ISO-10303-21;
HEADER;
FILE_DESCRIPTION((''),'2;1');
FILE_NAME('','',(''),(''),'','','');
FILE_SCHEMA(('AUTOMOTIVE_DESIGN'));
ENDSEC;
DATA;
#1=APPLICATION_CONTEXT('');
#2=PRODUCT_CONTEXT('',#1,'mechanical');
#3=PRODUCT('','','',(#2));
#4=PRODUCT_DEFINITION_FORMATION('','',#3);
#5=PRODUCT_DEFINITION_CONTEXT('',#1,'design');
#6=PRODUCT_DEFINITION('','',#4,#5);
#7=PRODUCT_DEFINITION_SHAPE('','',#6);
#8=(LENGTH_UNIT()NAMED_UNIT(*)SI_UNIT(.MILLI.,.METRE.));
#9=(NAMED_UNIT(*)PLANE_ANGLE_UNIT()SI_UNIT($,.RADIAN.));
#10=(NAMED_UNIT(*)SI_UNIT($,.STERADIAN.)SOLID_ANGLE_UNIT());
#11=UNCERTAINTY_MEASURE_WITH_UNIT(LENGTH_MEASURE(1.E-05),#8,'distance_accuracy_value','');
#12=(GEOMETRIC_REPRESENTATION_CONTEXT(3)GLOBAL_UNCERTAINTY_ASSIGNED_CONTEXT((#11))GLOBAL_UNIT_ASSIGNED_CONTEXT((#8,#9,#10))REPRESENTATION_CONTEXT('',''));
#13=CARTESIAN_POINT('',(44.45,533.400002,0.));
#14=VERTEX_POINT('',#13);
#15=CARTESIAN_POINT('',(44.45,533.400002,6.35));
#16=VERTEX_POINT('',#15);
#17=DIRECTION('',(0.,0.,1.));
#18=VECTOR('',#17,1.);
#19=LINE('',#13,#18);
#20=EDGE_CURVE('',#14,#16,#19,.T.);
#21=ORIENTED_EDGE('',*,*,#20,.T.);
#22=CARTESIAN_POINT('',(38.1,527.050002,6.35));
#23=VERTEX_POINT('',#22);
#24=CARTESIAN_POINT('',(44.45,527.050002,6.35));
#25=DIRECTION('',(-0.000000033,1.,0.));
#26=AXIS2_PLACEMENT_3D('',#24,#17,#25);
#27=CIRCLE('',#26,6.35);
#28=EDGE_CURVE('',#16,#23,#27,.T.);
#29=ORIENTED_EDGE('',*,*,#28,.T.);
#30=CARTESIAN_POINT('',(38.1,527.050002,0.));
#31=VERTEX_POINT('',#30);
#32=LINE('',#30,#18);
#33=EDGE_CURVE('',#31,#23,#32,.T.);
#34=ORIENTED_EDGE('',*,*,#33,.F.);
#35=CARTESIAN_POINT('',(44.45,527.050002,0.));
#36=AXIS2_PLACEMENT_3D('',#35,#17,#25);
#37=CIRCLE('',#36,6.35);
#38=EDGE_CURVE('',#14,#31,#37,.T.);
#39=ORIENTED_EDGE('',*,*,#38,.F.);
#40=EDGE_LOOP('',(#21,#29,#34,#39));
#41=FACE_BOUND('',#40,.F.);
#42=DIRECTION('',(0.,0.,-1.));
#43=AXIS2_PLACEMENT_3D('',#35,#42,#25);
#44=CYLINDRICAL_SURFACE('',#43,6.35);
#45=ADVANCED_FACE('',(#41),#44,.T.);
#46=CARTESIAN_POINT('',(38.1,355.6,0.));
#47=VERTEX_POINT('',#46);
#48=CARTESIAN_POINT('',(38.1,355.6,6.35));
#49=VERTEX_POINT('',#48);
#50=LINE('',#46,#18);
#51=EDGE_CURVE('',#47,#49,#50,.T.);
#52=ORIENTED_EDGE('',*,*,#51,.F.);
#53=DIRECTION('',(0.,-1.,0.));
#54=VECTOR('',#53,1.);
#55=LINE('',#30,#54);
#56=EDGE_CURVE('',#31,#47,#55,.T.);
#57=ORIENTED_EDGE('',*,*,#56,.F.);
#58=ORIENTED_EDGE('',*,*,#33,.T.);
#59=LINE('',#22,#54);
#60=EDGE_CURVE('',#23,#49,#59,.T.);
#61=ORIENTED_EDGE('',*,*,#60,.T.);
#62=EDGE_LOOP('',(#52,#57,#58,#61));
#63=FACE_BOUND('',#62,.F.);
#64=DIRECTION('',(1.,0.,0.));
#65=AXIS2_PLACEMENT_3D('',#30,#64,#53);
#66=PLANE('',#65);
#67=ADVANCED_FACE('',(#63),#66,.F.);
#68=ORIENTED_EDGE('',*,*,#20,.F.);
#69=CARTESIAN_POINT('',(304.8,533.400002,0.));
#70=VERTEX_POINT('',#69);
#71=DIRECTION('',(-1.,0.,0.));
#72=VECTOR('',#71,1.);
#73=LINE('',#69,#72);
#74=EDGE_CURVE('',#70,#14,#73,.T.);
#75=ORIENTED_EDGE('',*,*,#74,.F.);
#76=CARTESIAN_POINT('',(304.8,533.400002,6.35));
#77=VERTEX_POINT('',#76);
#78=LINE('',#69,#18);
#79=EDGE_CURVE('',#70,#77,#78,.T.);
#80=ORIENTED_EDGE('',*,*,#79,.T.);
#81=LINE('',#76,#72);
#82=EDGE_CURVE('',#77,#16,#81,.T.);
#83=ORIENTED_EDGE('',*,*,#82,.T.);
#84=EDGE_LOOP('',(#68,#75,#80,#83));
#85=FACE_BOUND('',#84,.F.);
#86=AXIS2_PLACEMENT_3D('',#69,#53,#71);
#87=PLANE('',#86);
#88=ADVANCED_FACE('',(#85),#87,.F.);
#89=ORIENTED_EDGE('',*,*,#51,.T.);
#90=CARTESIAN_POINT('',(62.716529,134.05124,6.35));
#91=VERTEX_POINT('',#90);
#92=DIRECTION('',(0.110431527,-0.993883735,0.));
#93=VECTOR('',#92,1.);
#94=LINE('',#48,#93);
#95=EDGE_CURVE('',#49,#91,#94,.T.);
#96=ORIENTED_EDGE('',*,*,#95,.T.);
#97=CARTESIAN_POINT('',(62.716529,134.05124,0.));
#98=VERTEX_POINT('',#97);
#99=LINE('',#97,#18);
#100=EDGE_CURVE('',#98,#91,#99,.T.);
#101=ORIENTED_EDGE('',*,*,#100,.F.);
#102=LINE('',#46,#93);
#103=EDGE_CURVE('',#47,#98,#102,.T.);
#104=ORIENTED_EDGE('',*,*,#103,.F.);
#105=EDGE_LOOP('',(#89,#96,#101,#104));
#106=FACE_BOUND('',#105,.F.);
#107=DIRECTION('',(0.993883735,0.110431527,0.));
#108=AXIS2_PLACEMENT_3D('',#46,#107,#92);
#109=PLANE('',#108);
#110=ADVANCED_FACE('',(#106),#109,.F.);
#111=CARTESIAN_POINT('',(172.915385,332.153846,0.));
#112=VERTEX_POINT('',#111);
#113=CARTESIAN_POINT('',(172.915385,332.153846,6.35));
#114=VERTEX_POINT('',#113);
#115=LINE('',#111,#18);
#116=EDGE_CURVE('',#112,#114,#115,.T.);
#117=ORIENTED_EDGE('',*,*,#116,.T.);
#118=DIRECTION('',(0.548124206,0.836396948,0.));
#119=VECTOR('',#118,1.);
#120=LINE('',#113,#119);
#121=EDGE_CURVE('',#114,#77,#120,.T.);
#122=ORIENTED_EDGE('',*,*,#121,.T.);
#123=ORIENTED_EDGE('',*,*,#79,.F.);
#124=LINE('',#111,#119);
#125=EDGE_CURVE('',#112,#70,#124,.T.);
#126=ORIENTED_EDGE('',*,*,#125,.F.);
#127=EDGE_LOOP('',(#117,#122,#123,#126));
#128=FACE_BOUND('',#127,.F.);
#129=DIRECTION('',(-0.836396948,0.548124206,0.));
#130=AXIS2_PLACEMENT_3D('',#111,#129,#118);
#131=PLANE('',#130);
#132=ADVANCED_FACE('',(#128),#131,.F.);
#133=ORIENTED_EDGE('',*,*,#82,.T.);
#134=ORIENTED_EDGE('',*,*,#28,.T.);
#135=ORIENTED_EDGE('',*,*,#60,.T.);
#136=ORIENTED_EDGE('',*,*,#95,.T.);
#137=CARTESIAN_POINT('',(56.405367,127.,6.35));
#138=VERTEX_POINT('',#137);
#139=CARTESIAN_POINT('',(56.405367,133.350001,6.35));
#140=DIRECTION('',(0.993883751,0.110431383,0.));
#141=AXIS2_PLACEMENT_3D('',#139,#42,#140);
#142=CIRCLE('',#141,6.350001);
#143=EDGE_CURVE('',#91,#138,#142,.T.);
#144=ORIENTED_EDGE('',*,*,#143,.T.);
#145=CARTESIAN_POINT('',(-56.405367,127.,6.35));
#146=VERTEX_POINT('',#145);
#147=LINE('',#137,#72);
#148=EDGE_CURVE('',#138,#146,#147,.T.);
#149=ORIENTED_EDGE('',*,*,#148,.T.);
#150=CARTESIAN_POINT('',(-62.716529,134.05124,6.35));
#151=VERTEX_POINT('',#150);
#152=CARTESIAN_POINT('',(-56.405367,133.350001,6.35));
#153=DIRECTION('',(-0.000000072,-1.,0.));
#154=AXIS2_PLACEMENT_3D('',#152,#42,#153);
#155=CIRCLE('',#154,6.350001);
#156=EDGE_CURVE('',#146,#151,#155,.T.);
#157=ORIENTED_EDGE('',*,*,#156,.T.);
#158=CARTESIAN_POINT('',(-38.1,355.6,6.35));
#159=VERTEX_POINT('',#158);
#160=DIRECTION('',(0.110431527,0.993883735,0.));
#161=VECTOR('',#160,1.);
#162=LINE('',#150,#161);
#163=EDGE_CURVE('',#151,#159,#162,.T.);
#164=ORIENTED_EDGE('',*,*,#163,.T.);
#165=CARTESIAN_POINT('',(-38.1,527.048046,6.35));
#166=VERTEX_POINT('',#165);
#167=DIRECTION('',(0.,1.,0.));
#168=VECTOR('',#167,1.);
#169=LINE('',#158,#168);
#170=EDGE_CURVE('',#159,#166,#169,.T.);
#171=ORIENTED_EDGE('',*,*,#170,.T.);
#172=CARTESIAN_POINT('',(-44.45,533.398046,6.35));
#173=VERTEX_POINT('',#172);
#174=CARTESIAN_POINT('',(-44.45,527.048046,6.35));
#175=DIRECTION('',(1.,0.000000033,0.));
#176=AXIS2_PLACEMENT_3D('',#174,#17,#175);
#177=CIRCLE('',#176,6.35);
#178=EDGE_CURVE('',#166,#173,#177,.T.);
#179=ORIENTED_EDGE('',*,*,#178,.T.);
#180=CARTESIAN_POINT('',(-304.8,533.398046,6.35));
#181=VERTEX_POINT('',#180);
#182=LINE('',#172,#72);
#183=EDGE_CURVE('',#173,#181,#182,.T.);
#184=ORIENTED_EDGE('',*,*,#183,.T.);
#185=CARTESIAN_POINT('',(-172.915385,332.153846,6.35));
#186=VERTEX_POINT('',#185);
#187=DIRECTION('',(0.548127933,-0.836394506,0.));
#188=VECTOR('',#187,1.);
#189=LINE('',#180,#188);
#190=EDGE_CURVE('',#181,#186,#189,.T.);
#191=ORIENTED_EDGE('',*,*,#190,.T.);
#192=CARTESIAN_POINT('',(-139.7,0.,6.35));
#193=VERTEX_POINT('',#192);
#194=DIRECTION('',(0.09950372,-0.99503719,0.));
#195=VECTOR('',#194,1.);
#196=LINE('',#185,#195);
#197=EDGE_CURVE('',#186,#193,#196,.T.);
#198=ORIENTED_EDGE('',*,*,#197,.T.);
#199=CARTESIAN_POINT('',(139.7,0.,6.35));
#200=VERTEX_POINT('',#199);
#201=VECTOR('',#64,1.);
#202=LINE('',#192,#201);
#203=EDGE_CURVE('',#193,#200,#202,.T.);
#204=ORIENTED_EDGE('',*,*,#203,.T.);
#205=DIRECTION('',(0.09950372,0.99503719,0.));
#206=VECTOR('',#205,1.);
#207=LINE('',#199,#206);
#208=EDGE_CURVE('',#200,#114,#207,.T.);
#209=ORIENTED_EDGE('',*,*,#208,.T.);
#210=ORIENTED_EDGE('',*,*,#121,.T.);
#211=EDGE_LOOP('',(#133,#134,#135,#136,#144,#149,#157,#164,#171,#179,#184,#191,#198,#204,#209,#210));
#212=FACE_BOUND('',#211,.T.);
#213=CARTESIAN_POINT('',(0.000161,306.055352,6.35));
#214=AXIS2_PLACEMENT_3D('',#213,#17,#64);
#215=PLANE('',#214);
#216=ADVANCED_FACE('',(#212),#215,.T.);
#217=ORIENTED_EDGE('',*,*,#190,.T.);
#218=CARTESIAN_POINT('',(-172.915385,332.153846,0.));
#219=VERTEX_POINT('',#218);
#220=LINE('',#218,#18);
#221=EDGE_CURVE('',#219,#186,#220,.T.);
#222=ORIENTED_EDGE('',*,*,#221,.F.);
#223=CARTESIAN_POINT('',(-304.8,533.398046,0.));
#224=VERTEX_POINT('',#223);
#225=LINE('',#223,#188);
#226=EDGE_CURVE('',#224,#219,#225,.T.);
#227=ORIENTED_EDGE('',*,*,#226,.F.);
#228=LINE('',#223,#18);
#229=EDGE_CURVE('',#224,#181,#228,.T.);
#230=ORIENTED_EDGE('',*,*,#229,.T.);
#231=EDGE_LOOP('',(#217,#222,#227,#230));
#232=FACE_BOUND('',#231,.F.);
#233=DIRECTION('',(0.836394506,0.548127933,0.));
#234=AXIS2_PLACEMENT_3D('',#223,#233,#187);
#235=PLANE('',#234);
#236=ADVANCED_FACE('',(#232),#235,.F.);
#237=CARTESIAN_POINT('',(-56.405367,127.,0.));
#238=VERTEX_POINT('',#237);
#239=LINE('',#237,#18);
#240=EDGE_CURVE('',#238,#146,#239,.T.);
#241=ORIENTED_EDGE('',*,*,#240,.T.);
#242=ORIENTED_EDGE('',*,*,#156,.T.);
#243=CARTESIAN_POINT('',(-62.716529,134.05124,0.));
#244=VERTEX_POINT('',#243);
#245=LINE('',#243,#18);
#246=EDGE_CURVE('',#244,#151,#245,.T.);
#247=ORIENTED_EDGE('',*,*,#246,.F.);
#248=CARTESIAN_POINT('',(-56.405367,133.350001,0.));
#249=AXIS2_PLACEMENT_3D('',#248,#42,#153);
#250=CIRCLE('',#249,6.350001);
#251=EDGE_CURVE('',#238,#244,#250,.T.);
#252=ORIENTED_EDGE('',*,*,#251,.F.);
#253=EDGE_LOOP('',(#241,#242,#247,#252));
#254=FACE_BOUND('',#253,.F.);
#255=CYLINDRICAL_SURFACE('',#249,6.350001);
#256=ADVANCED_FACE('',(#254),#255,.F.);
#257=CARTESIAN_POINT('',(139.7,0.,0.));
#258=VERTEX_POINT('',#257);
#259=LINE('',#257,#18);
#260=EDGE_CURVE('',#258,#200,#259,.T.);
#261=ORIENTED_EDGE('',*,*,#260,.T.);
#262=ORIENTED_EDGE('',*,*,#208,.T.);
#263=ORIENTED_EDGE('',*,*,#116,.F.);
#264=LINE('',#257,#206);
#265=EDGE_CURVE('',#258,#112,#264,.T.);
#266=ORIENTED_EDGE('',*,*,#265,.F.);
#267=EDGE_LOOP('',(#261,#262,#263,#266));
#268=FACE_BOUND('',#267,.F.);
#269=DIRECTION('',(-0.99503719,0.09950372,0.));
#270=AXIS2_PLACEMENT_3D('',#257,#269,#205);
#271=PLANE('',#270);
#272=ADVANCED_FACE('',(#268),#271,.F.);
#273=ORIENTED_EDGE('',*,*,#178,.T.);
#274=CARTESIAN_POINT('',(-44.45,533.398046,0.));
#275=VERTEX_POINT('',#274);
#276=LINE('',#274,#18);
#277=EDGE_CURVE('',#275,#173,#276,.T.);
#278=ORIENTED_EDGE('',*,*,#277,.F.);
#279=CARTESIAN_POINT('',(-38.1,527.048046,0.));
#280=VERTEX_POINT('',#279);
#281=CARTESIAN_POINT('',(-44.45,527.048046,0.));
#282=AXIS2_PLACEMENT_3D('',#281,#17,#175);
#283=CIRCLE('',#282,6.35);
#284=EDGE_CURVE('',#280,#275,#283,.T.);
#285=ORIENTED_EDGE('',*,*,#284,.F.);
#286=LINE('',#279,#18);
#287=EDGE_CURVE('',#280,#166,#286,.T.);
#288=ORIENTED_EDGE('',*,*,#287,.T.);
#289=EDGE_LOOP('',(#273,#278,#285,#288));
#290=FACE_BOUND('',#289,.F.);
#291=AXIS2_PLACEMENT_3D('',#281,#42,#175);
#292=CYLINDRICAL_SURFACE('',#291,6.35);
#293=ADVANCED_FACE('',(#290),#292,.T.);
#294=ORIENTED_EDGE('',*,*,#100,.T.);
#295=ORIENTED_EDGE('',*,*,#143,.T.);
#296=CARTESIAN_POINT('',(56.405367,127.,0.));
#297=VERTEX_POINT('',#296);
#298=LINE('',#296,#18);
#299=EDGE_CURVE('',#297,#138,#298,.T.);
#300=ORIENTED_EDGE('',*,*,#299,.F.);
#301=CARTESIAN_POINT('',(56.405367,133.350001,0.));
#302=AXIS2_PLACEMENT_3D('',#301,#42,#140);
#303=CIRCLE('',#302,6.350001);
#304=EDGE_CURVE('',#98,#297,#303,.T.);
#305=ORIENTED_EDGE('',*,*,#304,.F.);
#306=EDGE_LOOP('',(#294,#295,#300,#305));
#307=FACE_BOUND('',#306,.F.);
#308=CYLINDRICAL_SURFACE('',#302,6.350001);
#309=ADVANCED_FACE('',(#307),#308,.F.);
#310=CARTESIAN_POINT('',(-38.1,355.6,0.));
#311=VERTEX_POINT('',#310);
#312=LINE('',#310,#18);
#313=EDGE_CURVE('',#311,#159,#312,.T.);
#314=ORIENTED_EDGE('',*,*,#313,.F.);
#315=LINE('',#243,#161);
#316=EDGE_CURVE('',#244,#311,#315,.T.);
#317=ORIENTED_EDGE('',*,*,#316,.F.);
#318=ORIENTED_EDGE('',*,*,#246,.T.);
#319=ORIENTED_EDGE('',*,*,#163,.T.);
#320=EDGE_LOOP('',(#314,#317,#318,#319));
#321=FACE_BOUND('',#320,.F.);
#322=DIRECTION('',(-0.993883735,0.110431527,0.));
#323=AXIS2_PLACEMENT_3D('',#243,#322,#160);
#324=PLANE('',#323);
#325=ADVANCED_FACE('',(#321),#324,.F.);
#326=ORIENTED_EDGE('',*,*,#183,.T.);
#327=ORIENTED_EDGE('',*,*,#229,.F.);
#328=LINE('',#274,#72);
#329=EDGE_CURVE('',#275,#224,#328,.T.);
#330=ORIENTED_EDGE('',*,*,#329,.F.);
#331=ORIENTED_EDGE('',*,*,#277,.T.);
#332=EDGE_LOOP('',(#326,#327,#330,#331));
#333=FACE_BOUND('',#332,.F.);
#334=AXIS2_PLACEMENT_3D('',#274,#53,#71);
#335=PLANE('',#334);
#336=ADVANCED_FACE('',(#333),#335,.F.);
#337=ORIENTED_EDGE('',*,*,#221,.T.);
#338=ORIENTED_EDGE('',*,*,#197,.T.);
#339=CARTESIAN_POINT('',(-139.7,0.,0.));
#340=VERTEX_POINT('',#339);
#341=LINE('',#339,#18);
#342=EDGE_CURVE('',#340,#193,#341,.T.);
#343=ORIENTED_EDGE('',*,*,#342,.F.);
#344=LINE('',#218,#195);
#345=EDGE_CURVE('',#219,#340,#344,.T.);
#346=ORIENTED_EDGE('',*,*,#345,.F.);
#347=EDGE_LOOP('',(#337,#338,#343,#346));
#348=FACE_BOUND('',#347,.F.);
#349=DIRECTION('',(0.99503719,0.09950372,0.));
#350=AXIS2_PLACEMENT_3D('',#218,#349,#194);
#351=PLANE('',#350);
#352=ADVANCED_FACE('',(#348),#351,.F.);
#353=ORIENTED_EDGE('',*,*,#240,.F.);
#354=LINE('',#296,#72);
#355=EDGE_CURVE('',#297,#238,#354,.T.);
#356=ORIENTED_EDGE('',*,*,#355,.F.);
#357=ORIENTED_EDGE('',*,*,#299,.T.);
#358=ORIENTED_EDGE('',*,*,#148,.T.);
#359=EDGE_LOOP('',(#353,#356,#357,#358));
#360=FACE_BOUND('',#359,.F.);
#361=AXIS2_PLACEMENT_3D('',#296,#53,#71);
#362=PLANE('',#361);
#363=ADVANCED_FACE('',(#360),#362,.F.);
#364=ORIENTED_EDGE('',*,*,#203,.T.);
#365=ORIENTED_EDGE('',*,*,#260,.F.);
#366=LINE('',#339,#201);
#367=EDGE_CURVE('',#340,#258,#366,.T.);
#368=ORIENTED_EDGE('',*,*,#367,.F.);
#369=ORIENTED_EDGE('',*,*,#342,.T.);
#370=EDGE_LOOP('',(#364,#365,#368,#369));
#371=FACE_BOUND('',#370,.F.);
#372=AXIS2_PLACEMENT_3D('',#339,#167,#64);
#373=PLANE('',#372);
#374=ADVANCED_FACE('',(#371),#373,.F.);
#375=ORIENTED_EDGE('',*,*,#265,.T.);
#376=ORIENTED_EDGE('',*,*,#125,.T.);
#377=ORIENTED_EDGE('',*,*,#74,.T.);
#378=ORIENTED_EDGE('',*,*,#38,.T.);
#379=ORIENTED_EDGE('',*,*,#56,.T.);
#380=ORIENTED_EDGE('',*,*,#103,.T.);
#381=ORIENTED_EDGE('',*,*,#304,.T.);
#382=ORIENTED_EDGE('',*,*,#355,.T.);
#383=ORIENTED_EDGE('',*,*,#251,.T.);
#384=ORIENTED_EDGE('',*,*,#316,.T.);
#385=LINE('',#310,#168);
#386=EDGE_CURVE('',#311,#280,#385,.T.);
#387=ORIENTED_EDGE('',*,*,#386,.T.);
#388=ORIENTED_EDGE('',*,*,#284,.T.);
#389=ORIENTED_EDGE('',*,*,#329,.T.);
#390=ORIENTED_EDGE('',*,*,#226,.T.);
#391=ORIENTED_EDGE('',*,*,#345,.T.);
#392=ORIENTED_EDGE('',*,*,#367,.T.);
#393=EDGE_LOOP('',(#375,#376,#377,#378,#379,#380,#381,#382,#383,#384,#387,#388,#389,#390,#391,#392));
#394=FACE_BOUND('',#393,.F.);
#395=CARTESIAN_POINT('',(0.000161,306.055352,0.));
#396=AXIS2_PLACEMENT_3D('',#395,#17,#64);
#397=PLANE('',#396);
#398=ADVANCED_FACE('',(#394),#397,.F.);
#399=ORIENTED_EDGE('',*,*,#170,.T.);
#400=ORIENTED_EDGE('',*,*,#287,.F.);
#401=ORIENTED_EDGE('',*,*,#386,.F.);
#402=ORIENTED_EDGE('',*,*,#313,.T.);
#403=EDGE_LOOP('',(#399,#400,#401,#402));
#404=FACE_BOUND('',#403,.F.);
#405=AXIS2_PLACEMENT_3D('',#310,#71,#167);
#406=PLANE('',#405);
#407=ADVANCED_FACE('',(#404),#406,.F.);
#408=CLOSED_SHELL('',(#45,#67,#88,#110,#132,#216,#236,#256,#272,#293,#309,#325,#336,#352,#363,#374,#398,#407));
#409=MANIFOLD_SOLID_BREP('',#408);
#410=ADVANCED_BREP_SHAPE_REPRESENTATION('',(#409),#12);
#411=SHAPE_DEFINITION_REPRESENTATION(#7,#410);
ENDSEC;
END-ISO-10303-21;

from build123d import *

# Parameters (mm, degrees)
F1_DEPTH = 6.35


with BuildPart() as f1:
    # F0 (on Top) → F1 (new body)
    with BuildSketch(Plane.XY):
        with BuildLine():
            Line((-139.7, 0), (0, 0))
            Line((0, 0), (139.7, 0))
            Line((139.7, 0), (172.915385, 332.153846))
            Line((172.915385, 332.153846), (304.8, 533.400002))
            Line((304.8, 533.400002), (44.45, 533.400002))
            ThreePointArc((44.45, 533.400002), (39.959872, 531.54013), (38.1, 527.050002))
            Line((38.1, 527.050002), (38.1, 355.6))
            Line((38.1, 355.6), (62.716529, 134.05124))
            ThreePointArc((62.716529, 134.05124), (61.13693, 129.115049), (56.405367, 127))
            Line((56.405367, 127), (0, 127))
            Line((0, 127), (-56.405367, 127))
            ThreePointArc((-56.405367, 127), (-61.13693, 129.115049), (-62.716529, 134.05124))
            Line((-62.716529, 134.05124), (-38.1, 355.6))
            Line((-38.1, 355.6), (-38.1, 527.048046))
            ThreePointArc((-38.1, 527.048046), (-39.959872, 531.538174), (-44.45, 533.398046))
            Line((-44.45, 533.398046), (-304.8, 533.398046))
            Line((-304.8, 533.398046), (-172.915385, 332.153846))
            Line((-172.915385, 332.153846), (-139.7, 0))
        make_face()
    extrude(amount=F1_DEPTH)


solid = f1.part
